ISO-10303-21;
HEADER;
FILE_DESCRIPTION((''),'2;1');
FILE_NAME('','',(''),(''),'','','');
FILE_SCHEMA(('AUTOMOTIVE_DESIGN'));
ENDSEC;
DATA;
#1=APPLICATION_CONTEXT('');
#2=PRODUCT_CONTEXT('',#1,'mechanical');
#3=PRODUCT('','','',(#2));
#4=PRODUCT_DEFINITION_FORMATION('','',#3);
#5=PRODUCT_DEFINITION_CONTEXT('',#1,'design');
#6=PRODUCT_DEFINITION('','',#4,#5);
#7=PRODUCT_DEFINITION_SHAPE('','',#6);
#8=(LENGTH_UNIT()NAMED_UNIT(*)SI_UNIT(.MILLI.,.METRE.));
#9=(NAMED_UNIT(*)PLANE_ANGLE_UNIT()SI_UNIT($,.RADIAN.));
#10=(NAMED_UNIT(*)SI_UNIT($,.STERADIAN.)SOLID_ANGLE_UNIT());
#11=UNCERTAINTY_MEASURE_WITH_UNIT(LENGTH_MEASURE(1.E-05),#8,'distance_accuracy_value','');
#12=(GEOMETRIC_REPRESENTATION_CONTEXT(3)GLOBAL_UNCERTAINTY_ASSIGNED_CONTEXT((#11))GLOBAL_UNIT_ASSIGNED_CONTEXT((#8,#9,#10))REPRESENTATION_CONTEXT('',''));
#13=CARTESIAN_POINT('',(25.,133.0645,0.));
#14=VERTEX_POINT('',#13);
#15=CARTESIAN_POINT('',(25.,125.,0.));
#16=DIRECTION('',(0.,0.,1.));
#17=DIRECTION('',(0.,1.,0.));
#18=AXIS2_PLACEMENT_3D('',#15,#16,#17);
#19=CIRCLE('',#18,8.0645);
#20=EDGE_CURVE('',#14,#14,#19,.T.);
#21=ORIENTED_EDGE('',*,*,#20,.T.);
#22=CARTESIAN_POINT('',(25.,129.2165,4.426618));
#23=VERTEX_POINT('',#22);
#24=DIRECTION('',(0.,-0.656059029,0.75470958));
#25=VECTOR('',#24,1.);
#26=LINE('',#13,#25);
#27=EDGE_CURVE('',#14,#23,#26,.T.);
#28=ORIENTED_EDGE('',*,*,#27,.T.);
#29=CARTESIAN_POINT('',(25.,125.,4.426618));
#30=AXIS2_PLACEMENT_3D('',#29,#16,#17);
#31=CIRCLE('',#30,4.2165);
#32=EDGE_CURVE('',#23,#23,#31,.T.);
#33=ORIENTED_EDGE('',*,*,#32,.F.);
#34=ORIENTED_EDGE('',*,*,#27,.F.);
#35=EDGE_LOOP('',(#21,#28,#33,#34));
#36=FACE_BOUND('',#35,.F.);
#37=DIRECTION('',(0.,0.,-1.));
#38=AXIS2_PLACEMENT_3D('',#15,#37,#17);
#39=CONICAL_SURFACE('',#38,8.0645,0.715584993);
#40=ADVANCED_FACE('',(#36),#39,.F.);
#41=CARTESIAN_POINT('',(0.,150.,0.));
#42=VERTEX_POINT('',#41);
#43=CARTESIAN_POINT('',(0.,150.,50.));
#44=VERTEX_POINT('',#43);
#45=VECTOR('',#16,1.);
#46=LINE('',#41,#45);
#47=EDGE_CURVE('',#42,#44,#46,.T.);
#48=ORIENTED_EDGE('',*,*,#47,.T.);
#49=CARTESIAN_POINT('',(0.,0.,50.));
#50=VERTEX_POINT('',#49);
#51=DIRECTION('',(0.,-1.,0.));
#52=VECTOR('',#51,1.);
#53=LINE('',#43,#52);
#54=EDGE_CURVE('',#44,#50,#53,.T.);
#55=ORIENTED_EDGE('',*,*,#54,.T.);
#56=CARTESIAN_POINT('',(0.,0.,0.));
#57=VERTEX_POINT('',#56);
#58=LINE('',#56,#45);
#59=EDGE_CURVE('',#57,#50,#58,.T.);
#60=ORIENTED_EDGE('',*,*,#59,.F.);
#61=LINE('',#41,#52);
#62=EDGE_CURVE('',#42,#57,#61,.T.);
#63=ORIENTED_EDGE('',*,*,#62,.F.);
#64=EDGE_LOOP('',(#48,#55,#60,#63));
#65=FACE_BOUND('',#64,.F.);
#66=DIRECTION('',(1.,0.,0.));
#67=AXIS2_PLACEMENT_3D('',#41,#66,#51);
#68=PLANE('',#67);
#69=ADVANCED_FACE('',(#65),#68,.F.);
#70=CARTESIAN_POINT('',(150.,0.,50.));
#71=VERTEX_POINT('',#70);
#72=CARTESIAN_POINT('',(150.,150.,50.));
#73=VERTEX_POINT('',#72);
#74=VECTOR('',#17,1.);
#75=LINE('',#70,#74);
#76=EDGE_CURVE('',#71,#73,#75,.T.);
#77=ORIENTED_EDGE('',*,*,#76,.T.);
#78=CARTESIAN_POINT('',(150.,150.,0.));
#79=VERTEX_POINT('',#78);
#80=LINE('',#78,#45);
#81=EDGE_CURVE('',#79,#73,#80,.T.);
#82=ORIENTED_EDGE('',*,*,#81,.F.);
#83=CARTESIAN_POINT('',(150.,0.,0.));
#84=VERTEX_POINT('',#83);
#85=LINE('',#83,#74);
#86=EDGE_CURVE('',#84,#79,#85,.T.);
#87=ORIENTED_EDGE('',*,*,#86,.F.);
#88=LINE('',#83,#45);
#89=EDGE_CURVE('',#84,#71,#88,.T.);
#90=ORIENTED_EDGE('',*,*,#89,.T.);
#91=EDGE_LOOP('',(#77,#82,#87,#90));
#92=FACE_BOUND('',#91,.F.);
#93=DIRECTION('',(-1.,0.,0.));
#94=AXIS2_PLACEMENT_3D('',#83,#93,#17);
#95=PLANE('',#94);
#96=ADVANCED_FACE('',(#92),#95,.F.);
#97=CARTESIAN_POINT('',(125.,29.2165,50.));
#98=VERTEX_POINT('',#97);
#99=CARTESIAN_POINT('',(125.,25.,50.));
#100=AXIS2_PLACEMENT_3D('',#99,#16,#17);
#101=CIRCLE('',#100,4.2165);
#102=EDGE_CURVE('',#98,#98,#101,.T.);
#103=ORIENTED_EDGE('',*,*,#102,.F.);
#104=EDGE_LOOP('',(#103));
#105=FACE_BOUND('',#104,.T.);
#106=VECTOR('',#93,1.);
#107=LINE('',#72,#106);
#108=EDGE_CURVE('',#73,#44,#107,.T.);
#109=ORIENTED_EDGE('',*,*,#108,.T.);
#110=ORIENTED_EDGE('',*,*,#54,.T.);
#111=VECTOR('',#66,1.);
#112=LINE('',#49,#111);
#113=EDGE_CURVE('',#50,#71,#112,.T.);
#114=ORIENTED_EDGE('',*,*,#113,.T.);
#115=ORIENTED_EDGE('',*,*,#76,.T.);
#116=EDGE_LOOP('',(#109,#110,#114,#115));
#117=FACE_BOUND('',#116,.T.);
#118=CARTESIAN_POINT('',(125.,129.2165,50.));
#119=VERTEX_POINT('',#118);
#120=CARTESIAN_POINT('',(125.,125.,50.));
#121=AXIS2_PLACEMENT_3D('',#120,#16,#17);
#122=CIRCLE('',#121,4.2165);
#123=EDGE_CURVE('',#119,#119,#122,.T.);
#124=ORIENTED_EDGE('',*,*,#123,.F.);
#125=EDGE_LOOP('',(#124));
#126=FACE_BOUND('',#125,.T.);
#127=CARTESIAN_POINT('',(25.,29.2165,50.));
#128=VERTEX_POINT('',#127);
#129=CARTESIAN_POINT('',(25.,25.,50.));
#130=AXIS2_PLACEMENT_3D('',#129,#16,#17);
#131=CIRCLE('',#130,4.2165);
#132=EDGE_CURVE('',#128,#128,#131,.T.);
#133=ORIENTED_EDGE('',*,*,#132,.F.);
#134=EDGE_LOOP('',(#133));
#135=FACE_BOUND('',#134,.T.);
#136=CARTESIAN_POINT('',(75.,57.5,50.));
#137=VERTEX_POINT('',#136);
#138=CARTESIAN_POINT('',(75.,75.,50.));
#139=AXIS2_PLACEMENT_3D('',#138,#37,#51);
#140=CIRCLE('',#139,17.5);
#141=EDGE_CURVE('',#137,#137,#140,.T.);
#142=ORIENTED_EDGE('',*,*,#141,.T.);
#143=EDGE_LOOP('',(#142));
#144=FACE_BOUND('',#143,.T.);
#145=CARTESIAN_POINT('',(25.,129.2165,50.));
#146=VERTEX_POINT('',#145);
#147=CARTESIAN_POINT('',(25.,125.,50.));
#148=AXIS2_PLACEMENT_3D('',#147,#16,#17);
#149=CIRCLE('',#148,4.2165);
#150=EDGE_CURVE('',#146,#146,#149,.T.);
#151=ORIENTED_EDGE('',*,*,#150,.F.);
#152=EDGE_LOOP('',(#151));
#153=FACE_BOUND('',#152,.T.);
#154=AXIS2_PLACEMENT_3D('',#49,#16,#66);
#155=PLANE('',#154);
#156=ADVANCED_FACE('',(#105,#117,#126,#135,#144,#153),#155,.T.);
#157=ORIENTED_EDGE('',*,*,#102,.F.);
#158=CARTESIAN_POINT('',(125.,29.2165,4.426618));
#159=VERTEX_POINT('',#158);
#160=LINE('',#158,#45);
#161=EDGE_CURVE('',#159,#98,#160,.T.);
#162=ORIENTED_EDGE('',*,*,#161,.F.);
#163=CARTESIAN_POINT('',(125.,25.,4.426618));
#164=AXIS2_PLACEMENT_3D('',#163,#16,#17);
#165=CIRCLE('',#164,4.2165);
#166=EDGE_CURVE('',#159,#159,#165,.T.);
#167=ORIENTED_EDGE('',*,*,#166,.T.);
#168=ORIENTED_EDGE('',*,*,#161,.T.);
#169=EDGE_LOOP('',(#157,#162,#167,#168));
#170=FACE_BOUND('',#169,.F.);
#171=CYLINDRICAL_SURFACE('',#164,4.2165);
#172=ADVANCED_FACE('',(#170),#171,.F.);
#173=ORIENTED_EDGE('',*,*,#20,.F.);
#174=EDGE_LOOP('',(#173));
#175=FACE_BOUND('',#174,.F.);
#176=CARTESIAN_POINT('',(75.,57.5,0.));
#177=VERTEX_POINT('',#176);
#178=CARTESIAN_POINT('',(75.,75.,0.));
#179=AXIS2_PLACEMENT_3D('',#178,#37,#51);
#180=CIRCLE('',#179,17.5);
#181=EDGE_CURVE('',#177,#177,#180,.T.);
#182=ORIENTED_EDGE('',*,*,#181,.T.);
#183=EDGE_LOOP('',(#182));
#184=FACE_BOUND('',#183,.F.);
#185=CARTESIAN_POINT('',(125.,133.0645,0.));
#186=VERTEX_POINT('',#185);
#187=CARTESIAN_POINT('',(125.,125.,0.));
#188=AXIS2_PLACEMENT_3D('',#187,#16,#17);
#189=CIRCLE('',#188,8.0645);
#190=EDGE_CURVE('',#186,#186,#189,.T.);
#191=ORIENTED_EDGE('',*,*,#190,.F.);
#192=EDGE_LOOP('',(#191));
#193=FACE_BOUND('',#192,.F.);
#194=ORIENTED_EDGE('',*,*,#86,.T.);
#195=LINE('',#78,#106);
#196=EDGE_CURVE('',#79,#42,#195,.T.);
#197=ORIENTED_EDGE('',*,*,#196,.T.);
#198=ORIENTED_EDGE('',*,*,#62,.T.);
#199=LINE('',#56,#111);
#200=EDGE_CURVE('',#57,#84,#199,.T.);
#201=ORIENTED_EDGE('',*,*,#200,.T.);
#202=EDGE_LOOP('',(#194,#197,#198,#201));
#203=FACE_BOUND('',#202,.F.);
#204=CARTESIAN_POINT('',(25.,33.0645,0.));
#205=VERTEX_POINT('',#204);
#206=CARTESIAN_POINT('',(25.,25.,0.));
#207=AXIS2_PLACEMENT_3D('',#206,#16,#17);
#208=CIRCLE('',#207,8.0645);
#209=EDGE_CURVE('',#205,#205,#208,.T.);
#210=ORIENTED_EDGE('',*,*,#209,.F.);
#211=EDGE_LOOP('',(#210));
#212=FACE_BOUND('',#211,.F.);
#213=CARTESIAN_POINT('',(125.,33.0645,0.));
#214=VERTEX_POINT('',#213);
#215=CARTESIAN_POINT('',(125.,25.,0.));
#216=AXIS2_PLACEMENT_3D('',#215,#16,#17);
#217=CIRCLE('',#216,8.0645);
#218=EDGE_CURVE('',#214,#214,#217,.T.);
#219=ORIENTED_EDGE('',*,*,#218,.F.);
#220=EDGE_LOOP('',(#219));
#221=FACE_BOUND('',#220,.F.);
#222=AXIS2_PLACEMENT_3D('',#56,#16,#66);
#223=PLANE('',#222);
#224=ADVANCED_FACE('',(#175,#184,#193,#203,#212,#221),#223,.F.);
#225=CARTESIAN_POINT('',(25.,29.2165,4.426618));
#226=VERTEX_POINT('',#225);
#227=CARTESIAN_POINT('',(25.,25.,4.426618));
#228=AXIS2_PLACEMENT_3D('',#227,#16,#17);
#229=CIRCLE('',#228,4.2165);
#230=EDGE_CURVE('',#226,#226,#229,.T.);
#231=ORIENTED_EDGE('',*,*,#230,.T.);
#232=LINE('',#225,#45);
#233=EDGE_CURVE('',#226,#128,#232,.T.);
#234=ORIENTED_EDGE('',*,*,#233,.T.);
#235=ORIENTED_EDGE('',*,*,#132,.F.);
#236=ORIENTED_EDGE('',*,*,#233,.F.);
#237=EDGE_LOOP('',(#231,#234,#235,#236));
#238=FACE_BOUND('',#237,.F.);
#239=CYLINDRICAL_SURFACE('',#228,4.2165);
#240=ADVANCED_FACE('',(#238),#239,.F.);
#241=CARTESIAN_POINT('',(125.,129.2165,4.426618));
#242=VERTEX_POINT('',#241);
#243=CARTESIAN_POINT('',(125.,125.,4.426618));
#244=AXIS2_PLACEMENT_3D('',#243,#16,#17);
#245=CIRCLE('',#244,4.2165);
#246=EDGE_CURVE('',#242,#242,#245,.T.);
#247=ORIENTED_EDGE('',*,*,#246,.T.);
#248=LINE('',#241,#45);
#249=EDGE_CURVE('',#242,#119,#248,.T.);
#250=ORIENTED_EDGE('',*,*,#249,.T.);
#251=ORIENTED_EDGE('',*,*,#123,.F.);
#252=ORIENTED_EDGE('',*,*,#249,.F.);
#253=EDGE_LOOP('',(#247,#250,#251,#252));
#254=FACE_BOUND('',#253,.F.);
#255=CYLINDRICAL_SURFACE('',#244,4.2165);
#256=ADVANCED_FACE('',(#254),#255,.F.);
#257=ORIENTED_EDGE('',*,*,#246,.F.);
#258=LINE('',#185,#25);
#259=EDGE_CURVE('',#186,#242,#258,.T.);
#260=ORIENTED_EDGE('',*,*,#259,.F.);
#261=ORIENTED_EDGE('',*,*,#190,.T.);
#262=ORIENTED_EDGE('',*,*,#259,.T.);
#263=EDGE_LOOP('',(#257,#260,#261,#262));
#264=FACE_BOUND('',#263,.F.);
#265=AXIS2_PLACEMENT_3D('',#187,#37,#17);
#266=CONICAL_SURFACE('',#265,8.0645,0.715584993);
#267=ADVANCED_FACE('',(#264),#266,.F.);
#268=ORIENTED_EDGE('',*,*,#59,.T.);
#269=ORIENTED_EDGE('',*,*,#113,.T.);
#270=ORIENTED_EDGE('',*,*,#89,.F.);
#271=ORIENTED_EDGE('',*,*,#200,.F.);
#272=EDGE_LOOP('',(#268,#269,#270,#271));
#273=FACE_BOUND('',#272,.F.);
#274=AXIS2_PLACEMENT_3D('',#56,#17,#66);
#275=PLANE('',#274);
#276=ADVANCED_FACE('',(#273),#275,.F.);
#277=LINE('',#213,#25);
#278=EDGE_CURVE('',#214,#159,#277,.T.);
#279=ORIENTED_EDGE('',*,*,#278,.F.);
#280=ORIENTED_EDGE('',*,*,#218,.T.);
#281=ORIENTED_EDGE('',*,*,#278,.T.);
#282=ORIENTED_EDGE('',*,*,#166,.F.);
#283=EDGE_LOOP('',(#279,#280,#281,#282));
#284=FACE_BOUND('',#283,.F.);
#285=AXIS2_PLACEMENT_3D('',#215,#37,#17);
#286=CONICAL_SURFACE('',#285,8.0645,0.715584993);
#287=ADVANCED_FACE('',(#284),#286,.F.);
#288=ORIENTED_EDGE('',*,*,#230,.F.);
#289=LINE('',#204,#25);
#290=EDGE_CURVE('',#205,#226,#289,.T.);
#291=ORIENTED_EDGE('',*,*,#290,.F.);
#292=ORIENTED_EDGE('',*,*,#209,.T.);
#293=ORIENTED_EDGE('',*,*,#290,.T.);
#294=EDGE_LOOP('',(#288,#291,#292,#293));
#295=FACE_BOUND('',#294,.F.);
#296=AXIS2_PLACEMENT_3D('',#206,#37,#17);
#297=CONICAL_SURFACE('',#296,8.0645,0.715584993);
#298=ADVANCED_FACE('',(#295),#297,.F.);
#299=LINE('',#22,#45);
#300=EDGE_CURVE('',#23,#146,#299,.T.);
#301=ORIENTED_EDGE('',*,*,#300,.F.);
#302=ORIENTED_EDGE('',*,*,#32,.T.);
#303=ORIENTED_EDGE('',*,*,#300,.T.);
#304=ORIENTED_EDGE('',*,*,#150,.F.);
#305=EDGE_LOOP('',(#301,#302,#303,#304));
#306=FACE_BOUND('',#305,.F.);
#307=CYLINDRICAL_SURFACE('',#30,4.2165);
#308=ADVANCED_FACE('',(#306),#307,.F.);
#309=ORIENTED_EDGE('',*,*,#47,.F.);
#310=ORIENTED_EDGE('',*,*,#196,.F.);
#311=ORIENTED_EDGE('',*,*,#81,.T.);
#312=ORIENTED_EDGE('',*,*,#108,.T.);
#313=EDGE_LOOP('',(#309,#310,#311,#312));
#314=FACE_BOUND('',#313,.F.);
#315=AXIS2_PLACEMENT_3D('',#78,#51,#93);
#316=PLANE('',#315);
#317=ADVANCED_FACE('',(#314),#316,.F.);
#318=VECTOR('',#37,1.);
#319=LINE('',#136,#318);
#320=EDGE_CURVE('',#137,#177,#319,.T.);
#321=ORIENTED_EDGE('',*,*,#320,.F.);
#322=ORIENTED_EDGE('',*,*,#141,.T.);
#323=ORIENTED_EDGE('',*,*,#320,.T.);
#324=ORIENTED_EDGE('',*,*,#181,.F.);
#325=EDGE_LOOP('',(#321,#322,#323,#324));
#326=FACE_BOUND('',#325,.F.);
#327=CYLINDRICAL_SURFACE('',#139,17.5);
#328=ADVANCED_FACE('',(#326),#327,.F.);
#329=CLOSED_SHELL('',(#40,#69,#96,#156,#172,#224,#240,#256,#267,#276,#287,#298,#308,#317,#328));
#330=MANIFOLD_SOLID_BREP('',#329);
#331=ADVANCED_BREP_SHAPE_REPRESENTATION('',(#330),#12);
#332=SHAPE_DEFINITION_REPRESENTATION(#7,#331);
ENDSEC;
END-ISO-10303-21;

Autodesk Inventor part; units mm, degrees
ref_plane "YZ Plane" through (0, 0, 0) normal (1, 0, 0) x (0, 1, 0)
ref_plane "XZ Plane" through (0, 0, 0) normal (0, 1, 0) x (-1, 0, 0)
ref_plane "XY Plane" through (0, 0, 0) normal (0, 0, 1) x (1, 0, 0)
sketch "Sketch1" plane through (0, 0, 0) normal (0, 0, 1) x (1, 0, 0)
  line L0 (0, 0) -> (150, 0)
  line L1 (150, 0) -> (150, 150)
  line L2 (150, 150) -> (0, 150)
  line L3 (0, 150) -> (0, 0)
  dimension "d0" = 150
  dimension "d1" = 150
extrude "Extrusion1" add sketch "Sketch1" along normal blind 50
sketch "Sketch2" plane through (0, 0, 50) normal (0, 0, 1) x (1, 0, 0)
  line L0 (150, 0) -> (150, 150) projected
  line L1 (150, 150) -> (0, 150) projected
  point P0 (0, 0)
  point P1 (75, 75)
  point P2 (150, 75)
  point P3 (75, 150)
hole "Hole1" at (75, 75, 50) direction (0, 0, -1) diameter 35 end through all
sketch "Sketch3" plane through (0, 0, 0) normal (0, 0, -1) x (-1, 0, 0)
  line L0 (-150, 150) -> (0, 150) projected
  line L1 (0, 150) -> (0, 0) projected
  line L2 (0, 0) -> (-150, 0) projected
  line L3 (-150, 0) -> (-150, 150) projected
  point P0 (-125, 125)
  point P1 (-25, 125)
  point P2 (-25, 25)
  point P3 (-125, 25)
  dimension "d11" = 25
  dimension "d12" = 25
  dimension "d13" = 25
  dimension "d14" = 25
hole "Hole2" at (125, 125, 0) at (25, 125, 0) at (25, 25, 0) at (125, 25, 0) direction (0, 0, 1) diameter 8.433 end through all countersink diameter 16.129 countersink angle 82 clearance for "Flat Head Machine Screw (82)" size "5/16" standard "Ansi Unified Screw Threads"
equation "\"d12\" = d11"
equation "\"d13\" = d11"
equation "\"d14\" = d11"
properties part number "Top_Spacer" material "Wood (Birch)"
